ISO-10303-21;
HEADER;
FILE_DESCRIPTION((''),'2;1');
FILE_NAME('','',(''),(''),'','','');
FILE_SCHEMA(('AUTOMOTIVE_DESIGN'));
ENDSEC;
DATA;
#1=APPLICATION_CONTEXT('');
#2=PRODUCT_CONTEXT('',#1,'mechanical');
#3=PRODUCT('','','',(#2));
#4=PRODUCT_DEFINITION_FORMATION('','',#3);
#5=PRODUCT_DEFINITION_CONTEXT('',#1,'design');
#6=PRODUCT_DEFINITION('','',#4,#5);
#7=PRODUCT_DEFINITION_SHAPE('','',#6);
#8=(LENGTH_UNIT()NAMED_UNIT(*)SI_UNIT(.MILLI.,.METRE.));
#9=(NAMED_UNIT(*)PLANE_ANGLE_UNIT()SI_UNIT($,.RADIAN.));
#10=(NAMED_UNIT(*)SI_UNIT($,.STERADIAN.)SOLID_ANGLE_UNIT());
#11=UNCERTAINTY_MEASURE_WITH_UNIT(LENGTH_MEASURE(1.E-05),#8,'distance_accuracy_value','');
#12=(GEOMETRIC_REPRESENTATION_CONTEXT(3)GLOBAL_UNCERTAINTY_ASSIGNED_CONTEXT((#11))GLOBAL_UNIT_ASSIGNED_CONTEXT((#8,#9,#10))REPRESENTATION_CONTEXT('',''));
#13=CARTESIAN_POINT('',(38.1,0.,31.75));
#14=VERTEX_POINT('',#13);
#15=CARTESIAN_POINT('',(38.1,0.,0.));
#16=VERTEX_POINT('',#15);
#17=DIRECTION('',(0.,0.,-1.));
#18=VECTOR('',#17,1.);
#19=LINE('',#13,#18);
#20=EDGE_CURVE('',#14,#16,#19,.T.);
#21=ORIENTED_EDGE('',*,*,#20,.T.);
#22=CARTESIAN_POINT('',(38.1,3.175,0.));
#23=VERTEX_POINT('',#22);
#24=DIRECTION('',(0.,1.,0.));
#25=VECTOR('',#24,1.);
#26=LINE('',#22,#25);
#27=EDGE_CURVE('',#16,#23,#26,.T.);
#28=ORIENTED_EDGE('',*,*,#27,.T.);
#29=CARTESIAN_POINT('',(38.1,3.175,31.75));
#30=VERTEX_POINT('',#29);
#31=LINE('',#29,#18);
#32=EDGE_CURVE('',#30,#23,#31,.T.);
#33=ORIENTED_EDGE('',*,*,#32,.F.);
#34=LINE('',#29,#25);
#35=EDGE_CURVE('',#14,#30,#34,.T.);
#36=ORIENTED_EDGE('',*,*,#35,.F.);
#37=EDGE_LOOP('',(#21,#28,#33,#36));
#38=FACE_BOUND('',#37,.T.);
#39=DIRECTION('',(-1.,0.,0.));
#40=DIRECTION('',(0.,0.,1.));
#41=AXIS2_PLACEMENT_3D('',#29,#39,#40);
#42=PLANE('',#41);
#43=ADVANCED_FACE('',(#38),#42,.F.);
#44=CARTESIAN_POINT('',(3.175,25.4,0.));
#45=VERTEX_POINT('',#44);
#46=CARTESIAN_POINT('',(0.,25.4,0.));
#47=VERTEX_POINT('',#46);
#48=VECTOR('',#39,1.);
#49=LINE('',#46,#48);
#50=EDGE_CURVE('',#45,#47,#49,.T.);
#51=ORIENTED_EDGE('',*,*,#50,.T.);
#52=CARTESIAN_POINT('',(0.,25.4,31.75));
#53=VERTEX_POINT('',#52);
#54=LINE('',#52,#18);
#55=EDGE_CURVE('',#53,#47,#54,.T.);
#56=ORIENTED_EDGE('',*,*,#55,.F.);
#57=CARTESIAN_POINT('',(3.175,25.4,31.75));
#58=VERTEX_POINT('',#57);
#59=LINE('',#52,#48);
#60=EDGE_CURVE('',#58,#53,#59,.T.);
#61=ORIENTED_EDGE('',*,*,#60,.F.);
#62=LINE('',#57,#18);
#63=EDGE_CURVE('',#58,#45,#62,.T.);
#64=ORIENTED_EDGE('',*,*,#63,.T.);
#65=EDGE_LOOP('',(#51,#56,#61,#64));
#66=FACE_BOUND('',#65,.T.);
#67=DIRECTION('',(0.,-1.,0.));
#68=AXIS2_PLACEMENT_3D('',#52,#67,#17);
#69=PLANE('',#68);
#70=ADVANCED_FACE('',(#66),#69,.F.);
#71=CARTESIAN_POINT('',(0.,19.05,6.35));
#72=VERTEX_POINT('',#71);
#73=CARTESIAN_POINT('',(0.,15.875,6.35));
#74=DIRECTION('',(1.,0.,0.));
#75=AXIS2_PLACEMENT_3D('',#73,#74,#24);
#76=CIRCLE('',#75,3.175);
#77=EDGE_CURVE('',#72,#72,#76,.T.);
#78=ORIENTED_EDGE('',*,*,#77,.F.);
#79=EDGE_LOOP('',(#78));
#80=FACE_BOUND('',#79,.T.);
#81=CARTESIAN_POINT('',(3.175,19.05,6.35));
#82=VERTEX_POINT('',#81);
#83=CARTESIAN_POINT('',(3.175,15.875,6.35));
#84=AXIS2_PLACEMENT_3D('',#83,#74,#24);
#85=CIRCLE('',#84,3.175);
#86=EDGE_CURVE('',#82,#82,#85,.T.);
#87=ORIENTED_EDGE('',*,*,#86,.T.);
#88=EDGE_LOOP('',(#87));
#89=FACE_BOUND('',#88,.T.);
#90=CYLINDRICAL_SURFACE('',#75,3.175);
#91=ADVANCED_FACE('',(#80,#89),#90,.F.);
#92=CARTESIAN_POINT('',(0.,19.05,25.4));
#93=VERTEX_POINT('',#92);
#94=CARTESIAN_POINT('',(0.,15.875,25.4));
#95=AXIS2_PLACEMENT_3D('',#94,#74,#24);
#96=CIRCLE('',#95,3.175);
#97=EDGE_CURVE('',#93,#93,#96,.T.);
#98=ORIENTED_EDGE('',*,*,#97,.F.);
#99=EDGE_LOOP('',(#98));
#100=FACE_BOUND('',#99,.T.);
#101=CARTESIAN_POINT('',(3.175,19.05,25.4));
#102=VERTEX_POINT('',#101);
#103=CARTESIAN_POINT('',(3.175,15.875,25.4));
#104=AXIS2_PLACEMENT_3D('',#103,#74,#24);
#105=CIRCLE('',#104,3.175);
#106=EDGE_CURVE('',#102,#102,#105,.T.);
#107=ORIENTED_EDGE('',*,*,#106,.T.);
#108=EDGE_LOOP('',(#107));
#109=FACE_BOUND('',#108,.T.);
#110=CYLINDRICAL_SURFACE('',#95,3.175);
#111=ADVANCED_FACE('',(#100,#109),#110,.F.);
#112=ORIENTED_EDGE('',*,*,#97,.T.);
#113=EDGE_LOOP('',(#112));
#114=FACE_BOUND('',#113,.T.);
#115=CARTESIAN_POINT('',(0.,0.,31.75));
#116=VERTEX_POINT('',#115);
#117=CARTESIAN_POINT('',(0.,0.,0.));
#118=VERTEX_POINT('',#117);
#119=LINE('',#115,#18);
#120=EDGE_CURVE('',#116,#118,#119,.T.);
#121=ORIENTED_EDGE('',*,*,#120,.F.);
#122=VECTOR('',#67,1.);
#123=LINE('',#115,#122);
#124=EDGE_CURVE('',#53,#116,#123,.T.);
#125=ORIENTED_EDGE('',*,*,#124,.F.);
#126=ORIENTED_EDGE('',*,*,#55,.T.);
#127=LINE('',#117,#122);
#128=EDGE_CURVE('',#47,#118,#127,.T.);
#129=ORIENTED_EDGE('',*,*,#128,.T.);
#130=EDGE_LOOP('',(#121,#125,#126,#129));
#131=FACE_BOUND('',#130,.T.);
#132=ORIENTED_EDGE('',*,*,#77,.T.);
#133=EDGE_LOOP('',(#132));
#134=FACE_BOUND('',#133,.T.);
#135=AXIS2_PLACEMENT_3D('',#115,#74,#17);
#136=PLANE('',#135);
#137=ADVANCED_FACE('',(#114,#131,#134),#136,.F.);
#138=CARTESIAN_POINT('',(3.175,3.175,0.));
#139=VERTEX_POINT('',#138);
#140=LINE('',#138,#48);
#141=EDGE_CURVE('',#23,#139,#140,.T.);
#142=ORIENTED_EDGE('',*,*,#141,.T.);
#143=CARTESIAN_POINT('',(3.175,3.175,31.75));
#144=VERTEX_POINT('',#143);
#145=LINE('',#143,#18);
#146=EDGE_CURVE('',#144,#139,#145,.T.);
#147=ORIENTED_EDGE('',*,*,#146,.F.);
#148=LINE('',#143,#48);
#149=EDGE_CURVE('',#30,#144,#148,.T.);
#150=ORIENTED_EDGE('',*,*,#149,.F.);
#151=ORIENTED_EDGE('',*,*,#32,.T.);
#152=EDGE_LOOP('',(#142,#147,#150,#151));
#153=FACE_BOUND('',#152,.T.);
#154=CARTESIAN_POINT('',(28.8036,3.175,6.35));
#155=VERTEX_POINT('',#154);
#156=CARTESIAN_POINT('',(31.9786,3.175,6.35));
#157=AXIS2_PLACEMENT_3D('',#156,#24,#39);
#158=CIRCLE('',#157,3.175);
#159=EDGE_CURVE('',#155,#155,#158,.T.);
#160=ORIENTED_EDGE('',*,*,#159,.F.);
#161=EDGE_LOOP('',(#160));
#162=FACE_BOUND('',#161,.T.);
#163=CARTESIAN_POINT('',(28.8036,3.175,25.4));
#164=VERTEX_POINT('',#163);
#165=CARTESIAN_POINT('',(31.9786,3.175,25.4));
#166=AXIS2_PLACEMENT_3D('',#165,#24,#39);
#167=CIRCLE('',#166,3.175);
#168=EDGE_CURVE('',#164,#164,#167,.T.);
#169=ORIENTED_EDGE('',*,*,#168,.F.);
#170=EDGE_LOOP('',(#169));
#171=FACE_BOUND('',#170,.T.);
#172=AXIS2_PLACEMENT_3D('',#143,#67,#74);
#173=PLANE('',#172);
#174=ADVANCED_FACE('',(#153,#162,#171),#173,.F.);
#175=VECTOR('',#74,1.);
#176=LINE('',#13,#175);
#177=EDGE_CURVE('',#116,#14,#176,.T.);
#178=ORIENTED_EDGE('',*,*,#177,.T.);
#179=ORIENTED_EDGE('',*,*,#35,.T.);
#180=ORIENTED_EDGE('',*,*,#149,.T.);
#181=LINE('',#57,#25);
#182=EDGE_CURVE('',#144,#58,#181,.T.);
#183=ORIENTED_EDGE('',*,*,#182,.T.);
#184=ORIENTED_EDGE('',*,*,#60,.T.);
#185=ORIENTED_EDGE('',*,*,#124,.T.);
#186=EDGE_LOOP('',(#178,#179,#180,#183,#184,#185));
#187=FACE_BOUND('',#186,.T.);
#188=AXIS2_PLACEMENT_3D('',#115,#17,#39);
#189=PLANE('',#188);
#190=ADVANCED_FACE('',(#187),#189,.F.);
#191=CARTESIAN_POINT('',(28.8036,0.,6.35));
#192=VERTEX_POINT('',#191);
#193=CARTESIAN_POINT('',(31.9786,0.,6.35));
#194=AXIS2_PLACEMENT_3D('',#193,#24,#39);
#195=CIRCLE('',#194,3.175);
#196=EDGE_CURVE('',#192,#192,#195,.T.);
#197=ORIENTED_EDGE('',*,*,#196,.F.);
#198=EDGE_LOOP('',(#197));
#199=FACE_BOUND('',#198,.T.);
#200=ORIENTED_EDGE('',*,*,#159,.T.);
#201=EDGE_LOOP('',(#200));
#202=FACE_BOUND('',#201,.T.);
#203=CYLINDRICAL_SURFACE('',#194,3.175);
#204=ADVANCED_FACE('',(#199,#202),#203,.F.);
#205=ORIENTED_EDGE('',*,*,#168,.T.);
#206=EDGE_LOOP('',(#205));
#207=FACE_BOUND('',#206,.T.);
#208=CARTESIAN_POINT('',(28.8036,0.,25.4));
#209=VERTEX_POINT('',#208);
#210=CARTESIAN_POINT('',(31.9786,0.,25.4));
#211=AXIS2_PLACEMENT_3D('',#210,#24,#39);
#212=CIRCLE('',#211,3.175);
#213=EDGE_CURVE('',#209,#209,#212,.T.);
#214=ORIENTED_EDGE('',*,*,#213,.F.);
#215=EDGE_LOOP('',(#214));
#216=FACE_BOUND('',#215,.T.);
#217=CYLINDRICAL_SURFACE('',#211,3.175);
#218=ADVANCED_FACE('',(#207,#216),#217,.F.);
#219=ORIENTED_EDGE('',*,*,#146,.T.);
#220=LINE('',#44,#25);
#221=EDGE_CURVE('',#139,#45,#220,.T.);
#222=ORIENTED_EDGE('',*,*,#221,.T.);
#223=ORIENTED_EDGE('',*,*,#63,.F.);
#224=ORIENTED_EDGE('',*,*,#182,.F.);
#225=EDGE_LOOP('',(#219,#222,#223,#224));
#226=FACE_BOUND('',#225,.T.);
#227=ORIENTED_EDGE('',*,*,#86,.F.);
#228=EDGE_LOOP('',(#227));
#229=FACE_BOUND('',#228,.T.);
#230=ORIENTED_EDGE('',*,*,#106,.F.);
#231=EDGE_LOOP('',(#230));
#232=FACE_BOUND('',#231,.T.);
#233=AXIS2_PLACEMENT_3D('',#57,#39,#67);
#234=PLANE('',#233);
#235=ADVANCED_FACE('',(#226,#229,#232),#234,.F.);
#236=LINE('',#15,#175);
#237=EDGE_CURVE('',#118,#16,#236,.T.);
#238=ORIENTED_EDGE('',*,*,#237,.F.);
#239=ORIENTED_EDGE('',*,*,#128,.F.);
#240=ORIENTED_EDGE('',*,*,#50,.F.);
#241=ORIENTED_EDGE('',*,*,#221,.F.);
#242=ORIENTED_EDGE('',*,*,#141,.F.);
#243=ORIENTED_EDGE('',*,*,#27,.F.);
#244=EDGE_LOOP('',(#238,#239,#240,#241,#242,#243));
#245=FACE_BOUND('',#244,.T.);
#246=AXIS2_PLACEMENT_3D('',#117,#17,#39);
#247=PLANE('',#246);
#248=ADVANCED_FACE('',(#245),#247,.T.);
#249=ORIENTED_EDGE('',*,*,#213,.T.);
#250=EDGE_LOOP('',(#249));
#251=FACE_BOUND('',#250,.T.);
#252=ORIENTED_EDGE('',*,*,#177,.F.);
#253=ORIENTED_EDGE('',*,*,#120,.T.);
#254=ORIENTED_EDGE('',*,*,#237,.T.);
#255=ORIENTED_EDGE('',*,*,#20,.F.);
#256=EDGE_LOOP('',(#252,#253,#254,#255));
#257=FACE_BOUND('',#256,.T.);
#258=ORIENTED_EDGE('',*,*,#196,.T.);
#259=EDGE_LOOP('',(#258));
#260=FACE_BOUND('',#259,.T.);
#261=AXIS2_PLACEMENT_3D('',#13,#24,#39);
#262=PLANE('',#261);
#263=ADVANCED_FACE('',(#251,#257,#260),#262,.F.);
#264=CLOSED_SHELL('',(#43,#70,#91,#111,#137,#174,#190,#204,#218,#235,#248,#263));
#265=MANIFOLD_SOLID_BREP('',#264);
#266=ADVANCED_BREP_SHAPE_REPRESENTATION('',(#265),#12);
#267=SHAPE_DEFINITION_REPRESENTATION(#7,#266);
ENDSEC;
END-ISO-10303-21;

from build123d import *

# Parameters (mm, degrees)
BOSS_EXTRUDE1_DEPTH = 31.75
SKETCH2_R           = 3.175
CUT_EXTRUDE1_DEPTH  = 4.175
SKETCH3_R           = 3.175
CUT_EXTRUDE2_DEPTH  = 4.175


with BuildPart() as part:
    # Sketch1 → Boss-Extrude1 (new body)
    with BuildSketch(Plane.XY):
        Polygon((0, 0), (0, 25.4), (3.175, 25.4), (3.175, 3.175), (38.1, 3.175), (38.1, 0), align=None)
    extrude(amount=BOSS_EXTRUDE1_DEPTH)

    # Sketch2 → Cut-Extrude1 (cut, through all)
    with BuildSketch(Plane(origin=(0, 3.175, 0), x_dir=(1, 0, 0), z_dir=(0, 1, 0))):
        with Locations((31.9786, -6.35)):
            Circle(SKETCH2_R)
        with Locations((31.9786, -25.4)):
            Circle(SKETCH2_R)
    extrude(amount=-CUT_EXTRUDE1_DEPTH, mode=Mode.SUBTRACT)

    # Sketch3 → Cut-Extrude2 (cut, through all)
    with BuildSketch(Plane(origin=(3.175, 0, 0), x_dir=(0, 0, -1), z_dir=(1, 0, 0))):
        with Locations((-25.4, 15.875)):
            Circle(SKETCH3_R)
        with Locations((-6.35, 15.875)):
            Circle(SKETCH3_R)
    extrude(amount=-CUT_EXTRUDE2_DEPTH, mode=Mode.SUBTRACT)


solid = part.part
